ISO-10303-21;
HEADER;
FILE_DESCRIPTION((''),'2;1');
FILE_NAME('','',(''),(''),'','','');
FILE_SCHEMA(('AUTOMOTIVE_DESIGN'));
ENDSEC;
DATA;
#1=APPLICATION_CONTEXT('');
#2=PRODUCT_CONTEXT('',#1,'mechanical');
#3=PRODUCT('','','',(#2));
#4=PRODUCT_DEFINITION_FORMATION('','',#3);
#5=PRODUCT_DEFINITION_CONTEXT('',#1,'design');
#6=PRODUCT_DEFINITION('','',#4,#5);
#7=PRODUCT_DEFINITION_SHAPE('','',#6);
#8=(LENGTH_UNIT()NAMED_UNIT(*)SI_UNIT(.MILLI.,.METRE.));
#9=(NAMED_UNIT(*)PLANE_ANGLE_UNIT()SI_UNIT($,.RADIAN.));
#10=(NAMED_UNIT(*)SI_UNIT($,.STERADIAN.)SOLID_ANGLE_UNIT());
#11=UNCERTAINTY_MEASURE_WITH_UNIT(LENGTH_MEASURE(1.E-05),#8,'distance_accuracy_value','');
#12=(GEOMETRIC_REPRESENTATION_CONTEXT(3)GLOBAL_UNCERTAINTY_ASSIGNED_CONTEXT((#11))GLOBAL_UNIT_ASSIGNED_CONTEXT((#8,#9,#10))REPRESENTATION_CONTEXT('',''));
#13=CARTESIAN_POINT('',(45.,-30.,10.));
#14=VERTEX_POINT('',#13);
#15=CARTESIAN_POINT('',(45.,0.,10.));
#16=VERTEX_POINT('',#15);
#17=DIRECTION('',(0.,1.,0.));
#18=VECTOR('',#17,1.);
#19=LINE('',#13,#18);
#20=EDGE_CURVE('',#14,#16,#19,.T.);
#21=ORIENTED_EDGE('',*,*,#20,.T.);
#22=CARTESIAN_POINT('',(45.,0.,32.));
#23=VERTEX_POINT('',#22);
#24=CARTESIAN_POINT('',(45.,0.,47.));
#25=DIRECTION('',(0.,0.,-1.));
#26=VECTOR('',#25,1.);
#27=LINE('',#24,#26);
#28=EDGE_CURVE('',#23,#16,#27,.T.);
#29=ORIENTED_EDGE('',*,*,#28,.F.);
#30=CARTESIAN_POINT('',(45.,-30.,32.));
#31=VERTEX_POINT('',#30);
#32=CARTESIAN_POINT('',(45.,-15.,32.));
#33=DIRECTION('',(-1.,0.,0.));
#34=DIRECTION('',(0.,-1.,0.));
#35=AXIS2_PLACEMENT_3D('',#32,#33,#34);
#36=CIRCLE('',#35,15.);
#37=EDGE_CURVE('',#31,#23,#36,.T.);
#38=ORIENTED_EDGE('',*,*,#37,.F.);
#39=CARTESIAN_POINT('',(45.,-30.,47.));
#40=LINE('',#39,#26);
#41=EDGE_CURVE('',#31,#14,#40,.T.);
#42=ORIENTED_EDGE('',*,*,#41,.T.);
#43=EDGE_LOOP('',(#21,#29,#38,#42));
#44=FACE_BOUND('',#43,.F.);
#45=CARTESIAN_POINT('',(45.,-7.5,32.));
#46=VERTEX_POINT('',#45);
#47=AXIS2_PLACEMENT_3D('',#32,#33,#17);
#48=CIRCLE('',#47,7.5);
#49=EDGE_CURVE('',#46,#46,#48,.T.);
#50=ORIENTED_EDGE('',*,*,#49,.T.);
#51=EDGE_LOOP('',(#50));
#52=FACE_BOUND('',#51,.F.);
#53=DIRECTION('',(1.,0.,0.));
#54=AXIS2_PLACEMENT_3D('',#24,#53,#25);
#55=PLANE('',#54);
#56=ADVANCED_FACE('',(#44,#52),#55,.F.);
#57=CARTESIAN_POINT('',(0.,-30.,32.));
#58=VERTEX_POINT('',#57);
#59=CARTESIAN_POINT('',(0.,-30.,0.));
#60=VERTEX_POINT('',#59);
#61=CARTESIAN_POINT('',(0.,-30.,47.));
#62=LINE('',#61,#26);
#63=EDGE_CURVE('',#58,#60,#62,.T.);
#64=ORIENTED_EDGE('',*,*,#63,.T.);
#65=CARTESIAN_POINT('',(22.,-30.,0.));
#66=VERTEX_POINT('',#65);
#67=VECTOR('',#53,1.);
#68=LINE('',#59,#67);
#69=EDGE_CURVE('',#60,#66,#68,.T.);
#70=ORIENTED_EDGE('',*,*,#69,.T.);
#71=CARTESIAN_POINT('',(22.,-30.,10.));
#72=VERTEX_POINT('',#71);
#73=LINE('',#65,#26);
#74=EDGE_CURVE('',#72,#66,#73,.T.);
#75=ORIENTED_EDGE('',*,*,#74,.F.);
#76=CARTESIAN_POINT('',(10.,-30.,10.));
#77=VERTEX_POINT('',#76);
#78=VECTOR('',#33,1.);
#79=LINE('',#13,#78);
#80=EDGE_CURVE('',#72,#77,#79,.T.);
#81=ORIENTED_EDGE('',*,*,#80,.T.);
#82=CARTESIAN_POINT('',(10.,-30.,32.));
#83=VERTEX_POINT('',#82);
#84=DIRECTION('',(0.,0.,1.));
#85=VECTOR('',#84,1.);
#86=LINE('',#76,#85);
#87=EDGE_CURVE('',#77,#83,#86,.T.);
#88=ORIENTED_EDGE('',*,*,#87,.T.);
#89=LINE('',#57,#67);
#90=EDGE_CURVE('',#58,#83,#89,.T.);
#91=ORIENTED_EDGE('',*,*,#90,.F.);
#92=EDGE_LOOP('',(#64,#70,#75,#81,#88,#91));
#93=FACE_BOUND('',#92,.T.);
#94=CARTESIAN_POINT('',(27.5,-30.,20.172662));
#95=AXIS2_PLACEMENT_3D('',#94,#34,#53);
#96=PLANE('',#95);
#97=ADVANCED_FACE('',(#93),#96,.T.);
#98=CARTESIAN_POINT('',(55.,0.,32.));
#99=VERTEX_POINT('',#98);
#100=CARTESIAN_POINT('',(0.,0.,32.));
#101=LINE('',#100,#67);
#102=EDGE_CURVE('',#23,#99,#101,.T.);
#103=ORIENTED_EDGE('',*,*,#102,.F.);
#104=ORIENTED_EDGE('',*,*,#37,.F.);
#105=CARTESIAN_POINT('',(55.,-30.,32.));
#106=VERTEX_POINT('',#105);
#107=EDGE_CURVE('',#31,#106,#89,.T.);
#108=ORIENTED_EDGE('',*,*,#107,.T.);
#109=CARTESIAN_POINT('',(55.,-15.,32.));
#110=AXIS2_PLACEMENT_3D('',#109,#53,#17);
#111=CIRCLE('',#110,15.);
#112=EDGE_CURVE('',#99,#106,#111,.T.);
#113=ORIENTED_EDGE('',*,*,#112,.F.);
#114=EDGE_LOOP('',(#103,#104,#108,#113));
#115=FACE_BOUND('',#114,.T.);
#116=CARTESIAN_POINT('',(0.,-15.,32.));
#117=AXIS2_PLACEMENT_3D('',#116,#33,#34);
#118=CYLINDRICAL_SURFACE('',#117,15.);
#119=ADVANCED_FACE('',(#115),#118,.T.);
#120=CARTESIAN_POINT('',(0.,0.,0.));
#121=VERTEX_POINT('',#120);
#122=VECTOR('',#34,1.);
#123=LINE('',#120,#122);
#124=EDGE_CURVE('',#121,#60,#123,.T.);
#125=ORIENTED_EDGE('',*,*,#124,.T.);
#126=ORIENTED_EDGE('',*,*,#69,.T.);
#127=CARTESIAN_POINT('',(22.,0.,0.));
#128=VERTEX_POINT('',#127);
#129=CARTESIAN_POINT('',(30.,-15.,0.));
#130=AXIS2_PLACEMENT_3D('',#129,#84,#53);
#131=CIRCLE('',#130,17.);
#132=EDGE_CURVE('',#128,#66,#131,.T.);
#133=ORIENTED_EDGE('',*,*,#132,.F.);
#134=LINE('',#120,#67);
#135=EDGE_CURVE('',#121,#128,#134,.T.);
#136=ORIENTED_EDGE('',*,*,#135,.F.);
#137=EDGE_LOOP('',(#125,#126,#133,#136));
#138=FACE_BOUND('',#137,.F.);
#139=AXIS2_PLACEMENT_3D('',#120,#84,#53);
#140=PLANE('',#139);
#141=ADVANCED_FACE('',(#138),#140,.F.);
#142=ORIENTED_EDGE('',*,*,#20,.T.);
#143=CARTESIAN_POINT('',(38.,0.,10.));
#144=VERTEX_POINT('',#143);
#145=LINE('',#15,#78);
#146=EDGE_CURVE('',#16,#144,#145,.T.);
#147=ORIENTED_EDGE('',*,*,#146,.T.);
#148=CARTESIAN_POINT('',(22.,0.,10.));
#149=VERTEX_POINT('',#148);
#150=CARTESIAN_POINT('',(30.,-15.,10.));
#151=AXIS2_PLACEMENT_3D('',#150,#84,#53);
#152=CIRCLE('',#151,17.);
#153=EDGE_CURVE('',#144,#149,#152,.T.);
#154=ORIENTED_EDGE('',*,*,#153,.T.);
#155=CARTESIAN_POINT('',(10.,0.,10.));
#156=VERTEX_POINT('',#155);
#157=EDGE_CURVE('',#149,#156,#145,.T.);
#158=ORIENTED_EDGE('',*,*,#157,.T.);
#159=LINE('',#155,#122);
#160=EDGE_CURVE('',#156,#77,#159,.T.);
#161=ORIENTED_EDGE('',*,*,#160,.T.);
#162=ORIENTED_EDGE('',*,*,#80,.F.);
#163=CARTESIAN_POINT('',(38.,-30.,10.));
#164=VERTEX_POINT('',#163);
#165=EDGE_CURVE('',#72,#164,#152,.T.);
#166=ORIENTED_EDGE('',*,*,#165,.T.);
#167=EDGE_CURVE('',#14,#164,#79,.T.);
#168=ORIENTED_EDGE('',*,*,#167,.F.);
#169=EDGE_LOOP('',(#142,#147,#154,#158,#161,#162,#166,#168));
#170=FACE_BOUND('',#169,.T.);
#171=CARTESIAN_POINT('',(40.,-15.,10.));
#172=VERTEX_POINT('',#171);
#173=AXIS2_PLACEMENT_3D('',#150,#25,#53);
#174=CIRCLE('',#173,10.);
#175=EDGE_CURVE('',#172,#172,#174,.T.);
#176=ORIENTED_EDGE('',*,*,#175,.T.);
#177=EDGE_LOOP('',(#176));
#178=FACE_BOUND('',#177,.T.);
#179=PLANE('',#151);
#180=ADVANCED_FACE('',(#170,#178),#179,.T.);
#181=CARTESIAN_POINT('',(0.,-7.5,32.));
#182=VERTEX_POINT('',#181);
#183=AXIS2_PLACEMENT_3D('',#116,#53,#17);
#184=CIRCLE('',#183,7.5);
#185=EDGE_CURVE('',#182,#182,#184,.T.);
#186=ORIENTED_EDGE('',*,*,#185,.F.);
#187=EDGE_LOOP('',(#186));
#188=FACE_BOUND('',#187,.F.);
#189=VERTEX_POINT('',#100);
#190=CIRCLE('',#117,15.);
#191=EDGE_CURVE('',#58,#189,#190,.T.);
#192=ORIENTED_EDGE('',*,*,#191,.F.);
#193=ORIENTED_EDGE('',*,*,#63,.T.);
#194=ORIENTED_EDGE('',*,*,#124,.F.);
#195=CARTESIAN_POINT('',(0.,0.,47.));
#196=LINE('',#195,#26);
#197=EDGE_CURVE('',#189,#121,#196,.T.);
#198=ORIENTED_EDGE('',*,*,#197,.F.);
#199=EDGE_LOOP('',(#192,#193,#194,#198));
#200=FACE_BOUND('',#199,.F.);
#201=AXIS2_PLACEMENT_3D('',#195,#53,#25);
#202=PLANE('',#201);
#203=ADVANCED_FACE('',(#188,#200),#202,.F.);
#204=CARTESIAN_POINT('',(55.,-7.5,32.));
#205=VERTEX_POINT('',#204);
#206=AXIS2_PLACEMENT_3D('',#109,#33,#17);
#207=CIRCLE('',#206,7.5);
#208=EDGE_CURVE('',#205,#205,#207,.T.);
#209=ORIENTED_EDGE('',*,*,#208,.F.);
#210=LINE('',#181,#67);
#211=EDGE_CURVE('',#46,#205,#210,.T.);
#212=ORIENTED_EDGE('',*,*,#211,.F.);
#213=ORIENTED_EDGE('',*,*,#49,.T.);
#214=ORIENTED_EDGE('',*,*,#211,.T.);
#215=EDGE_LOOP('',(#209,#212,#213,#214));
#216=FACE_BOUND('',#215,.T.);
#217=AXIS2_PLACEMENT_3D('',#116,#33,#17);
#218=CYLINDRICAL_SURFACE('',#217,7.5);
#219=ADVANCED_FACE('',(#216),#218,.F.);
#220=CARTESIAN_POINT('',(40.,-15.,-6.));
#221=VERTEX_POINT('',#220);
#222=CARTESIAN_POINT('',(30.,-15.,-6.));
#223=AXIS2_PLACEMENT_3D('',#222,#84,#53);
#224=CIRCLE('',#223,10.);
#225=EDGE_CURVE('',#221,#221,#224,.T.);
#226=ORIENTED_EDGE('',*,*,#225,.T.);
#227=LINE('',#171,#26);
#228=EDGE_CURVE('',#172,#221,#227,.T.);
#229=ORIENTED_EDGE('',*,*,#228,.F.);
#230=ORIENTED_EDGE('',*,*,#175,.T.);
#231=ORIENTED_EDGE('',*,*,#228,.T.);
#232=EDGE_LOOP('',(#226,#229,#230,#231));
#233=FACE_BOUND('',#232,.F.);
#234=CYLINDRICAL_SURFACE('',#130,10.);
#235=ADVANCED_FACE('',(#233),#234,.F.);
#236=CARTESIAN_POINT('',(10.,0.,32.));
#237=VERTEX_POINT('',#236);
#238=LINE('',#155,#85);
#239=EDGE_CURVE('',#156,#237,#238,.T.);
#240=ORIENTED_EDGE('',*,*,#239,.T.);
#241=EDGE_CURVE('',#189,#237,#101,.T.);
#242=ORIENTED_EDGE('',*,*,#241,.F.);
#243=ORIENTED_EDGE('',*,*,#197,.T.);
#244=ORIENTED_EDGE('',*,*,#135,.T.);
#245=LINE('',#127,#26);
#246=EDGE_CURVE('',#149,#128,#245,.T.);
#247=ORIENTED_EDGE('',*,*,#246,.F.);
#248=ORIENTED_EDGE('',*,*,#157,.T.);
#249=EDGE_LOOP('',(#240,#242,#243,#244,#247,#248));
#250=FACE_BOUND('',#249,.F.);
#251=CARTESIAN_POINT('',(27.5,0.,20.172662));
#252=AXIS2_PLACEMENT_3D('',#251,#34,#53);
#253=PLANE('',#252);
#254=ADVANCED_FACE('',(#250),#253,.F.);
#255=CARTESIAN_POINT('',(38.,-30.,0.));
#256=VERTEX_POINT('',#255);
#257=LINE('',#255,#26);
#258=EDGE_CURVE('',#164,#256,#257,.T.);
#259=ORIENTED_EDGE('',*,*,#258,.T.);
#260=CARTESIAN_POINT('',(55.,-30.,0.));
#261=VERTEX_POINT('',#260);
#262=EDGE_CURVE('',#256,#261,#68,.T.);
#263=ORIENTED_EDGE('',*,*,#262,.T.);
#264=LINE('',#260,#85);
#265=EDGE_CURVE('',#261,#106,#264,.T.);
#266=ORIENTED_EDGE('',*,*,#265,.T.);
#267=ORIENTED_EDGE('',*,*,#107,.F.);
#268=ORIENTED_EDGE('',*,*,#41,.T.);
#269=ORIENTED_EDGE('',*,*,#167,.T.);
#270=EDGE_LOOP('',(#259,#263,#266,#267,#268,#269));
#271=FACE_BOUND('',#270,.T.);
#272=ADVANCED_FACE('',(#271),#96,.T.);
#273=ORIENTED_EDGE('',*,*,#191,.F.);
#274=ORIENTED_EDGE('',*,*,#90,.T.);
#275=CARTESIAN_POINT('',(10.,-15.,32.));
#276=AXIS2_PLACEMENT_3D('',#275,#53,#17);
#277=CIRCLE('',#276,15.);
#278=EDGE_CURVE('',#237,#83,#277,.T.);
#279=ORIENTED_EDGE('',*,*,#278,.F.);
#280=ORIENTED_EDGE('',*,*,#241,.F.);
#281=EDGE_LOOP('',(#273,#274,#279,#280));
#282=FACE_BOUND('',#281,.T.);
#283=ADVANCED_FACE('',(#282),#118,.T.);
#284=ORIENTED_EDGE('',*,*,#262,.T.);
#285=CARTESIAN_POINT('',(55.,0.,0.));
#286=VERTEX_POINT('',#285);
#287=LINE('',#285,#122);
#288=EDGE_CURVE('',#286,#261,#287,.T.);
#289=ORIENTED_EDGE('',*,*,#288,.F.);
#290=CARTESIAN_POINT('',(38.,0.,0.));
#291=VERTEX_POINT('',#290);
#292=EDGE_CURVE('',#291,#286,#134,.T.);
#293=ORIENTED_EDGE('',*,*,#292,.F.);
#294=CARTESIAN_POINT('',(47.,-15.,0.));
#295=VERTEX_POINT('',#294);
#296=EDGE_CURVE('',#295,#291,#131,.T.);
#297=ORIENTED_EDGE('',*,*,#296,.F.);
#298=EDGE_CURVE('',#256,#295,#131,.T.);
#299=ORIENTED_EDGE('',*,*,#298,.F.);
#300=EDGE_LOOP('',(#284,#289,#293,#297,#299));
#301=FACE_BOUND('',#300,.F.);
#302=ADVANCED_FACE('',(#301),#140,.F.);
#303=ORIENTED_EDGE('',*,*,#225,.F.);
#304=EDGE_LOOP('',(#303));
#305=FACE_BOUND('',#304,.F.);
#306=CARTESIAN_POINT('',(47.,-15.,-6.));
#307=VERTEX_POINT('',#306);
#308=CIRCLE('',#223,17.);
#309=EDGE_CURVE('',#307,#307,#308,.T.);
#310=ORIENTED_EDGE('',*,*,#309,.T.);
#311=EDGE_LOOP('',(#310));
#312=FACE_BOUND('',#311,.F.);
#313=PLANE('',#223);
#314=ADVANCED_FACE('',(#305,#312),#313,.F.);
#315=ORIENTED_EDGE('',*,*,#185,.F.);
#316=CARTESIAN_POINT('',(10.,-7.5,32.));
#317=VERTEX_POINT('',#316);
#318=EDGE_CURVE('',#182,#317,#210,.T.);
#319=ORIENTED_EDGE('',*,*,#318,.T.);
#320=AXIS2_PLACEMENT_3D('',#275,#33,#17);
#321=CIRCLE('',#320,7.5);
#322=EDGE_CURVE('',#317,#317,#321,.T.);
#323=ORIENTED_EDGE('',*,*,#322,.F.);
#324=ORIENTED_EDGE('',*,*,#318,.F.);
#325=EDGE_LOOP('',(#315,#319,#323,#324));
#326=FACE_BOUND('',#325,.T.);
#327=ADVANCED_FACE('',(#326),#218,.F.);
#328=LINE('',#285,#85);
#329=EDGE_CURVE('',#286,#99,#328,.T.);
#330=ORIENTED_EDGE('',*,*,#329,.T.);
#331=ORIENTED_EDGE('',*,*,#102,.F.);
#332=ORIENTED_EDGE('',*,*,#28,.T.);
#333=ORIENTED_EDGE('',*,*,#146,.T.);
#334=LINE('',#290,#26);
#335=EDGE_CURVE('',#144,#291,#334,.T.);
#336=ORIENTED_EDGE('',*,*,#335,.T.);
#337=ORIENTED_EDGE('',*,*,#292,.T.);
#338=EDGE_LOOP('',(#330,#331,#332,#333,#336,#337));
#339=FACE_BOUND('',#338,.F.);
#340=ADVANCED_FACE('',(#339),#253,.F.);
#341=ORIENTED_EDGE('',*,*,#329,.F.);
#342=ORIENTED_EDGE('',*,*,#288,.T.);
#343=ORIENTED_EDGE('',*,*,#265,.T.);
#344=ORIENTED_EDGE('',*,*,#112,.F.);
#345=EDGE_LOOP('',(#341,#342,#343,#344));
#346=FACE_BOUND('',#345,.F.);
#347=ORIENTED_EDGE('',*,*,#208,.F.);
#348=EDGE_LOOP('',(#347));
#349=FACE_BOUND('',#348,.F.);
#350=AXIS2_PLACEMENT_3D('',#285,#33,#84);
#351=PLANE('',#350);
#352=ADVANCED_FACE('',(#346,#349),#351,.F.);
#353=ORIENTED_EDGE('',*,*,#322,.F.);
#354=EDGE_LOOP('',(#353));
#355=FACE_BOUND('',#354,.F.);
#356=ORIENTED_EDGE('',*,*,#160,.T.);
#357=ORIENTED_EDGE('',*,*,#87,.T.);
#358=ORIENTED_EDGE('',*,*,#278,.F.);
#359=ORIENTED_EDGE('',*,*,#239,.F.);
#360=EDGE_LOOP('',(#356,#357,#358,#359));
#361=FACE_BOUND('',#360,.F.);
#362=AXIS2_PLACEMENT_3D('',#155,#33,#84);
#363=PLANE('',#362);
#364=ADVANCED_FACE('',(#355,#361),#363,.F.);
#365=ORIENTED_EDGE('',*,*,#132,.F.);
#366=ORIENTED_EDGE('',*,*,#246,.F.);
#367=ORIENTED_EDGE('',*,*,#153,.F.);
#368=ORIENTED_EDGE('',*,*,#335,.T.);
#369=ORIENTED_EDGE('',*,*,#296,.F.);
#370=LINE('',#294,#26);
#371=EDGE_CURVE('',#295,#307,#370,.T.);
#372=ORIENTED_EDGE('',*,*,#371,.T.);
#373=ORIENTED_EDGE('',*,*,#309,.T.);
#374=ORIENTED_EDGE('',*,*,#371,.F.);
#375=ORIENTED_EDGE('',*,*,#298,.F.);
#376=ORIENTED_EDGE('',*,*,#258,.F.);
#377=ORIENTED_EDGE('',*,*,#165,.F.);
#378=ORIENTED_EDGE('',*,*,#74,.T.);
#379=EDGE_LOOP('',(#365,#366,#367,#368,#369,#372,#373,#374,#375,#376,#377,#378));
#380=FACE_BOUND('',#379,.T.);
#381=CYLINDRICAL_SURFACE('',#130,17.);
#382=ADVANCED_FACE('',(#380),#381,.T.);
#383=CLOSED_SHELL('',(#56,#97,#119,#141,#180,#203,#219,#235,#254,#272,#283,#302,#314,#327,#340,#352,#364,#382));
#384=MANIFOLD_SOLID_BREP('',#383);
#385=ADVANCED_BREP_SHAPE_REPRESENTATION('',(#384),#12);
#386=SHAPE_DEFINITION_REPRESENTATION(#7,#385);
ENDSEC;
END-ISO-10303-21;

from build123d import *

# Parameters (mm, degrees)
F1_DEPTH      = 30
F2_R          = 17
F3_DEPTH      = 10
F3_DEPTH_BACK = 6
F4_R          = 10
F5_DEPTH      = 25
F5_DEPTH_BACK = 25
F6_R          = 7.5
F7_DEPTH      = 70


with BuildPart() as f1:
    # F0 (on Front) → F1 (new body)
    with BuildSketch(Plane.XZ):
        Polygon((0, 47), (0, 0), (55, 0), (55, 47), (45, 47), (45, 10), (10, 10), (10, 47), align=None)
    extrude(amount=F1_DEPTH)

    # F2 (on Top) → F3 (join, two sides)
    with BuildSketch(Plane.XY) as f3_sk:
        with Locations((30, -15)):
            Circle(F2_R)
    extrude(amount=F3_DEPTH)
    extrude(f3_sk.sketch, amount=-F3_DEPTH_BACK)

    # F4 (on Top) → F5 (cut, two sides)
    with BuildSketch(Plane.XY) as f5_sk:
        with Locations((30, -15)):
            Circle(F4_R)
    extrude(amount=-F5_DEPTH, mode=Mode.SUBTRACT)
    extrude(f5_sk.sketch, amount=F5_DEPTH_BACK, mode=Mode.SUBTRACT)

    # F6 (on Right) → F7 (cut)
    with BuildSketch(Plane.YZ):
        with BuildLine():
            ThreePointArc((-30, 32), (-25.6066017178, 42.6066017178), (-15, 47))
            Line((-15, 47), (-30, 47))
            Line((-30, 47), (-30, 32))
        make_face()
        with BuildLine():
            ThreePointArc((-15, 47), (-4.3933982822, 42.6066017178), (0, 32))
            Line((0, 32), (0, 47))
            Line((0, 47), (-15, 47))
        make_face()
        with Locations((-15, 32)):
            Circle(F6_R)
    extrude(amount=F7_DEPTH, mode=Mode.SUBTRACT)


solid = f1.part
